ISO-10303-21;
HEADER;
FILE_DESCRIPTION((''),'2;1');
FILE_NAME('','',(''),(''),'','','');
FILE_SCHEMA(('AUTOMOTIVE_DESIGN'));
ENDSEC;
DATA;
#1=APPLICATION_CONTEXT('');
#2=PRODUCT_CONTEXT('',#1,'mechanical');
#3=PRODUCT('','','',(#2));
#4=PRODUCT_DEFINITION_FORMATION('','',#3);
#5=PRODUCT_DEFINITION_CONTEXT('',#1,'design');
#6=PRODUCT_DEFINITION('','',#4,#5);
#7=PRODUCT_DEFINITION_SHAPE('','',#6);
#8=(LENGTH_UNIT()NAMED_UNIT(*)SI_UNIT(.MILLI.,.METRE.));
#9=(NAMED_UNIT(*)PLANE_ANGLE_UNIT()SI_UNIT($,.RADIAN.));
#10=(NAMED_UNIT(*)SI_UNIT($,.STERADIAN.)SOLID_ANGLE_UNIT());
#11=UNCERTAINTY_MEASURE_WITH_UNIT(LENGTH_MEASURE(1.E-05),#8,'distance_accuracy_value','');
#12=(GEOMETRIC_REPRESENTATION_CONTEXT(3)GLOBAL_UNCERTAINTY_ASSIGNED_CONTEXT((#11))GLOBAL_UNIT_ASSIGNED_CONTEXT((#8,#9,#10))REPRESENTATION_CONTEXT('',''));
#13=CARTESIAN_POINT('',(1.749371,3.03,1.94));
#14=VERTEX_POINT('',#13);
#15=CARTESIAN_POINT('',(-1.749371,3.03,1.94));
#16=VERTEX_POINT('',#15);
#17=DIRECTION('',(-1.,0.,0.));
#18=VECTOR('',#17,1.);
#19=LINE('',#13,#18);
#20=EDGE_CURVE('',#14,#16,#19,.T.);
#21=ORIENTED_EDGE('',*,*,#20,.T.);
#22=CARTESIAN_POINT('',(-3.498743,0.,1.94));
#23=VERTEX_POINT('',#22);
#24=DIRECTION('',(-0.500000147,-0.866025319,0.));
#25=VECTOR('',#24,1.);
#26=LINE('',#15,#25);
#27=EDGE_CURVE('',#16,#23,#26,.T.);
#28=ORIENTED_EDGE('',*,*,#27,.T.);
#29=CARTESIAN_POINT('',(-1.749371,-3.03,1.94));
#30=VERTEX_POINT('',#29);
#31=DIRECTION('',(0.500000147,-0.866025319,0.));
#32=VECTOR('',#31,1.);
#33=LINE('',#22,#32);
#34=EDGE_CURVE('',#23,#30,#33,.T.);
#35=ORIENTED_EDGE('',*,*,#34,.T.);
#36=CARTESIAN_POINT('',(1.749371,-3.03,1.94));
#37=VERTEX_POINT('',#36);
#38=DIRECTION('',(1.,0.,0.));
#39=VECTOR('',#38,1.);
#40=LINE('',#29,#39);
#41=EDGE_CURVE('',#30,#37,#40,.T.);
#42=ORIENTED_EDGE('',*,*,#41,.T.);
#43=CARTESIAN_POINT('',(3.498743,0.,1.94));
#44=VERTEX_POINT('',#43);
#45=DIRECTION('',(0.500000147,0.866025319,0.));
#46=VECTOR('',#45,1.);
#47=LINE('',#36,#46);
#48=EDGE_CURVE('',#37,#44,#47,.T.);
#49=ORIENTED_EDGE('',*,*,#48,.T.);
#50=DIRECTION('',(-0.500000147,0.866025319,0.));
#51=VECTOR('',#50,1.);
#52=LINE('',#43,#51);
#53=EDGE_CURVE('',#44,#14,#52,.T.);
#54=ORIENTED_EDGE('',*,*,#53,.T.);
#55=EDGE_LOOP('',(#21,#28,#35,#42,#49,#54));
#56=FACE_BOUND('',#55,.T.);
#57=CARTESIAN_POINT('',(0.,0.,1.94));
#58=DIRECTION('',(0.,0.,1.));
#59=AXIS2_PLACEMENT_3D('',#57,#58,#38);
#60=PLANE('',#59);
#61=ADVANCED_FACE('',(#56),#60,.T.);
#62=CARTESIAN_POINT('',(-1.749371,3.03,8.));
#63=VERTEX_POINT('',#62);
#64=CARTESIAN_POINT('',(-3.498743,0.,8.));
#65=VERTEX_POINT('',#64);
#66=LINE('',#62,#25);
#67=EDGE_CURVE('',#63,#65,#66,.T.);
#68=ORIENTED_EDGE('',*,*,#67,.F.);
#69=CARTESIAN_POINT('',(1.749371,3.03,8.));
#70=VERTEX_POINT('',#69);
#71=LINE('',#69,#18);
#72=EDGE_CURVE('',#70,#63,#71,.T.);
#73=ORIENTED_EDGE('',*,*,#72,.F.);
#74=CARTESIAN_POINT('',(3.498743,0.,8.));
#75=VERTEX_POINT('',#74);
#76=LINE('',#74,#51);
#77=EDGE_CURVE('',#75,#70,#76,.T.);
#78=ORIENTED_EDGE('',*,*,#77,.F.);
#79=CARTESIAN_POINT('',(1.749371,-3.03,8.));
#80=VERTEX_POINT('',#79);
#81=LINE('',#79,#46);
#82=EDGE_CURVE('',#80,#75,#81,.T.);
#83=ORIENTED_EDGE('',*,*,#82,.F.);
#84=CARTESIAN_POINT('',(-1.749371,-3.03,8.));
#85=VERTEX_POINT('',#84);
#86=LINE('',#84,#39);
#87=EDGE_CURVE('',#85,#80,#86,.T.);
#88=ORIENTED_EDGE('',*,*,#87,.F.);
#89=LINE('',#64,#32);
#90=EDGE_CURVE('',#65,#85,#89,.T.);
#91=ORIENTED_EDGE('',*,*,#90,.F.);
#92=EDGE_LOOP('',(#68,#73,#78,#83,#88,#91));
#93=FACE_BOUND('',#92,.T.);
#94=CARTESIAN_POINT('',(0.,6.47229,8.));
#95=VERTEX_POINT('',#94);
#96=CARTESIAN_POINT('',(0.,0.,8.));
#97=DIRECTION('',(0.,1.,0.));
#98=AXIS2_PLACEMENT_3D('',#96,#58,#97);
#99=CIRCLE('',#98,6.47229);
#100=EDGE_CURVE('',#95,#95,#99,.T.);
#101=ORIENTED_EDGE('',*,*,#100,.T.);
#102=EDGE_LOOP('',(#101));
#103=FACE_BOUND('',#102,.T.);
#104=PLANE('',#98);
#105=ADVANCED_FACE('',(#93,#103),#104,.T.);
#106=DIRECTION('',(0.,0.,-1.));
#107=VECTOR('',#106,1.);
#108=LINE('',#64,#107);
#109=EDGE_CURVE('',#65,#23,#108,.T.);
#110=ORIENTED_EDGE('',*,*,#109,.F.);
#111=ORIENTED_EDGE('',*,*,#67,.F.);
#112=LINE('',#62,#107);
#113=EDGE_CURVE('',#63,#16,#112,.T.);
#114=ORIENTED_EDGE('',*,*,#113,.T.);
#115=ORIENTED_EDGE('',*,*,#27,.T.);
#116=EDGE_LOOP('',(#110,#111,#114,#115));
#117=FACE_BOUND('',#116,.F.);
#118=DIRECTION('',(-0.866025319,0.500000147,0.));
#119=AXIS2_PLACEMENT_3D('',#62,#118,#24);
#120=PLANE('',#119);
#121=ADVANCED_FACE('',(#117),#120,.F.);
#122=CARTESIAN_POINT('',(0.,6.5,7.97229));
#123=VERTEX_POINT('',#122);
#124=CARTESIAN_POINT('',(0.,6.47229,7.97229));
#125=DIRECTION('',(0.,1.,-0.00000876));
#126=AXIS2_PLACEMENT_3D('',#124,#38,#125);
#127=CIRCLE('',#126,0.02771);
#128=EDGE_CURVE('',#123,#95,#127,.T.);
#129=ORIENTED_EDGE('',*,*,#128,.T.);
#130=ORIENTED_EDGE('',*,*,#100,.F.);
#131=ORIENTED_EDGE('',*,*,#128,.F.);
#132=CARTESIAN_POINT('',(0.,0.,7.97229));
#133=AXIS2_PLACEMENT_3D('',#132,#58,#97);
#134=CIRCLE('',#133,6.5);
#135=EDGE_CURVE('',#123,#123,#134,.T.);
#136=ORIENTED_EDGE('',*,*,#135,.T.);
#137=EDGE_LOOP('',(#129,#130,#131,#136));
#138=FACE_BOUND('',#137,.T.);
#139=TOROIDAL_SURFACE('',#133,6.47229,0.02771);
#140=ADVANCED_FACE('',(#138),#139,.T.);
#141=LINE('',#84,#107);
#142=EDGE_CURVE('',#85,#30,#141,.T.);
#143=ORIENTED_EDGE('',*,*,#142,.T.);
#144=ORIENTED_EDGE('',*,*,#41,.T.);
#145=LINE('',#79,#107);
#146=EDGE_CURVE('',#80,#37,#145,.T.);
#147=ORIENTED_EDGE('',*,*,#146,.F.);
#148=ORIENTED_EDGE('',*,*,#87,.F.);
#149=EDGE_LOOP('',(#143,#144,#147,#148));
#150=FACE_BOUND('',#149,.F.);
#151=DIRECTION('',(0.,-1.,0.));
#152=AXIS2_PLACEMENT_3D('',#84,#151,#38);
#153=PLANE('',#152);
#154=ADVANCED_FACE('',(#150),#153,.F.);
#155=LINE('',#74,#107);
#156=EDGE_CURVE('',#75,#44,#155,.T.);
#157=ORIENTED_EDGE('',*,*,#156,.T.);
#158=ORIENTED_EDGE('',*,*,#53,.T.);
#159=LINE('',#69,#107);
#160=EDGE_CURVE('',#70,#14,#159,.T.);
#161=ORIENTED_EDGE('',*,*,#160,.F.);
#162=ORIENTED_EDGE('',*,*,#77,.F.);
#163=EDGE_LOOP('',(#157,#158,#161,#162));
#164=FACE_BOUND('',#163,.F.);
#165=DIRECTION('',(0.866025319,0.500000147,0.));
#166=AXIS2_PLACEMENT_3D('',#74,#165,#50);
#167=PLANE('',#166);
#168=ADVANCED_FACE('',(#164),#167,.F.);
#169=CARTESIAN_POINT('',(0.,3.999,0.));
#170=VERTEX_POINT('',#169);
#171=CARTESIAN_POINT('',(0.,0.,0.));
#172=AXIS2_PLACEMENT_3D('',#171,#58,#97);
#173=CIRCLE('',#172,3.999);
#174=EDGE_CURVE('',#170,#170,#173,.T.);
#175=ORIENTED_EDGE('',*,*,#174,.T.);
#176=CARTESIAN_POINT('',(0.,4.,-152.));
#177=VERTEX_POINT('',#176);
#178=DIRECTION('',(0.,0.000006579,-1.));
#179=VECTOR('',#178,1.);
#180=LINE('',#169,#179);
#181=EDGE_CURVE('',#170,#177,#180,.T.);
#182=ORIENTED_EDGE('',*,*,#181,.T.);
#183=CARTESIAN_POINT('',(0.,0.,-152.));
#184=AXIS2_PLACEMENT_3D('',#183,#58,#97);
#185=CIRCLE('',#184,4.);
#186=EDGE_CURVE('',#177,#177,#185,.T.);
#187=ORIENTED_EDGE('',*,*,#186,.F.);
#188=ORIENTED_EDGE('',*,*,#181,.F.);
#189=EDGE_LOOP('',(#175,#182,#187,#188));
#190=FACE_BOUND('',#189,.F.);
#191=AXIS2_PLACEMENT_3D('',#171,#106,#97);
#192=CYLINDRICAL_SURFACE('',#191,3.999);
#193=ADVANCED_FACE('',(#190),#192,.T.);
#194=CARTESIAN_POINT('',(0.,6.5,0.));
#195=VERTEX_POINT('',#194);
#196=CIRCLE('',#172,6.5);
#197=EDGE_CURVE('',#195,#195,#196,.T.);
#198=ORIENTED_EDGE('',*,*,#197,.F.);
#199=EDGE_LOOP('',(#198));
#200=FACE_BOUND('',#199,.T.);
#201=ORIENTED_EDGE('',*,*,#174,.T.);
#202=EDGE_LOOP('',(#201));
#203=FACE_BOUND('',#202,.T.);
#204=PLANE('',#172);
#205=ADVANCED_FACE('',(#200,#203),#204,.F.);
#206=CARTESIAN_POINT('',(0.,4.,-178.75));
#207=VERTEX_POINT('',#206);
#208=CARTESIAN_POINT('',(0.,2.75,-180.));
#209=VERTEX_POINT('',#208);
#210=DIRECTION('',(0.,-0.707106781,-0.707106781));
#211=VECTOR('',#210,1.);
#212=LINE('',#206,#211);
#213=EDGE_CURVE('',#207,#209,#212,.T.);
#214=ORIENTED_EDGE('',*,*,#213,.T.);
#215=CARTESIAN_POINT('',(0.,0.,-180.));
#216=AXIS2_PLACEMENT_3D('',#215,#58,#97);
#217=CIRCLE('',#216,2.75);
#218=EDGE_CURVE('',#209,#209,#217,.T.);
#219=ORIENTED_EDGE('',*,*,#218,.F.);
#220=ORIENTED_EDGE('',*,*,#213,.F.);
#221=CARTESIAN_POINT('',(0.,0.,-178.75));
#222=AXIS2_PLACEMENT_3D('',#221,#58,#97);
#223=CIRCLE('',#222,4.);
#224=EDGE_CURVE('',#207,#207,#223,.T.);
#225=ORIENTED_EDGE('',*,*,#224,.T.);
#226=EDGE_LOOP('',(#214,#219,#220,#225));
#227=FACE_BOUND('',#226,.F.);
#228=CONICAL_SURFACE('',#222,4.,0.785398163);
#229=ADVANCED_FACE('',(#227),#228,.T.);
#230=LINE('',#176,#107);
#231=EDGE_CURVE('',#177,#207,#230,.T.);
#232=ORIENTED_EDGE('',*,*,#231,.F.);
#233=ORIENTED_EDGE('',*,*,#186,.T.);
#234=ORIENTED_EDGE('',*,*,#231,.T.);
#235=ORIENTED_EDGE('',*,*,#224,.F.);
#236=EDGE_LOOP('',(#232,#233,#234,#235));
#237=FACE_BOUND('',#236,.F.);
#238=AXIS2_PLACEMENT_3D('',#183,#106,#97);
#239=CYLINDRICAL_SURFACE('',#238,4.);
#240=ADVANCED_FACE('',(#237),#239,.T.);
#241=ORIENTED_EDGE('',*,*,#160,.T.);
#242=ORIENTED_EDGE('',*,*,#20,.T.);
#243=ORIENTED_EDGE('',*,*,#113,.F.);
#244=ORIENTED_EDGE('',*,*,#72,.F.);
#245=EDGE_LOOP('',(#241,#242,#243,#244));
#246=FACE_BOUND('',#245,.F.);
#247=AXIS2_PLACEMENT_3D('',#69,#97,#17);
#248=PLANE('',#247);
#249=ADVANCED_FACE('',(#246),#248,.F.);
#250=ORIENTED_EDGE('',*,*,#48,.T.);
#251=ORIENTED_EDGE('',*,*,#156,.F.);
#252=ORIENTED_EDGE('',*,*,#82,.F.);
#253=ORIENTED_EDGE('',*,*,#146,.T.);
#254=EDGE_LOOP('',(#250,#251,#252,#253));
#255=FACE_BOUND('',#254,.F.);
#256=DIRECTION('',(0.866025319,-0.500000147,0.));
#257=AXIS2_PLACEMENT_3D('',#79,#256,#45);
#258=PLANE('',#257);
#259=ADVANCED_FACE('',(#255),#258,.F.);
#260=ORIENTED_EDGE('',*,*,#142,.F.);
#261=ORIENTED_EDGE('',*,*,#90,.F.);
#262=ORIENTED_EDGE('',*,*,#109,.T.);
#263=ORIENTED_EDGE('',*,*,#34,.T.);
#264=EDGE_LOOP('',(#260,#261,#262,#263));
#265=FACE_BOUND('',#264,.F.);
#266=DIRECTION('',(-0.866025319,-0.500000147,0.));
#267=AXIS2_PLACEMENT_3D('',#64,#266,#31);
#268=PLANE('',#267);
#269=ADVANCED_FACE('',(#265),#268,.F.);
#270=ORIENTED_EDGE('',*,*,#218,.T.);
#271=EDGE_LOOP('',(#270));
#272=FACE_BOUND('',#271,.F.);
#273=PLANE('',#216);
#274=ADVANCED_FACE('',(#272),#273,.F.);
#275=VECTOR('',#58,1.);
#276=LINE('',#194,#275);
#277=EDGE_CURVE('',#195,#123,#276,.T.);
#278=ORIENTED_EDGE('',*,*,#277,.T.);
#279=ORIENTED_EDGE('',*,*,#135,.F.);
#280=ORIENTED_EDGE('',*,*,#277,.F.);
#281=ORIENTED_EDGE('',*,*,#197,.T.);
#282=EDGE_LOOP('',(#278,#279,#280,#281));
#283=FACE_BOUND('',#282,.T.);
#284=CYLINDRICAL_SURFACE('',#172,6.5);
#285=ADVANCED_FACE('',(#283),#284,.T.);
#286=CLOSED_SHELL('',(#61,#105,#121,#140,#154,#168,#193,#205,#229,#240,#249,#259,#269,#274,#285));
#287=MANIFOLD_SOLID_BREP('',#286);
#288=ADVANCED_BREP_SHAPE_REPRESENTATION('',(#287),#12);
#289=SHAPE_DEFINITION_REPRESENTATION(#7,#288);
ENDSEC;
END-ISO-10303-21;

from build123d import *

# Parameters (mm, degrees)
POCKET_DEPTH = 6.06


with BuildPart() as part:
    # Sketch → Revolve (revolve)
    with BuildSketch(Plane.YZ):
        with BuildLine():
            Line((3.999, 0), (6.5, 0))
            Line((6.5, 0), (6.5, 7.97229))
            ThreePointArc((6.5, 7.97229), (6.491884, 7.991884), (6.47229, 8))
            Line((6.47229, 8), (0, 8))
            Line((0, -180), (0, 8))
            Line((2.75, -180), (0, -180))
            Line((4, -178.75), (2.75, -180))
            Line((4, -152), (4, -178.75))
            Line((3.999, 0), (4, -152))
        make_face()
    revolve(axis=Axis((0, 0, 0), (0, 0, 1)))

    # Sketch001 → Pocket (cut)
    with BuildSketch(Plane.XY.offset(8)):
        Polygon((3.498743, 0), (1.749371, 3.03), (-1.749371, 3.03), (-3.498743, 0), (-1.749371, -3.03), (1.749371, -3.03), align=None)
    extrude(amount=-POCKET_DEPTH, mode=Mode.SUBTRACT)


solid = part.part
